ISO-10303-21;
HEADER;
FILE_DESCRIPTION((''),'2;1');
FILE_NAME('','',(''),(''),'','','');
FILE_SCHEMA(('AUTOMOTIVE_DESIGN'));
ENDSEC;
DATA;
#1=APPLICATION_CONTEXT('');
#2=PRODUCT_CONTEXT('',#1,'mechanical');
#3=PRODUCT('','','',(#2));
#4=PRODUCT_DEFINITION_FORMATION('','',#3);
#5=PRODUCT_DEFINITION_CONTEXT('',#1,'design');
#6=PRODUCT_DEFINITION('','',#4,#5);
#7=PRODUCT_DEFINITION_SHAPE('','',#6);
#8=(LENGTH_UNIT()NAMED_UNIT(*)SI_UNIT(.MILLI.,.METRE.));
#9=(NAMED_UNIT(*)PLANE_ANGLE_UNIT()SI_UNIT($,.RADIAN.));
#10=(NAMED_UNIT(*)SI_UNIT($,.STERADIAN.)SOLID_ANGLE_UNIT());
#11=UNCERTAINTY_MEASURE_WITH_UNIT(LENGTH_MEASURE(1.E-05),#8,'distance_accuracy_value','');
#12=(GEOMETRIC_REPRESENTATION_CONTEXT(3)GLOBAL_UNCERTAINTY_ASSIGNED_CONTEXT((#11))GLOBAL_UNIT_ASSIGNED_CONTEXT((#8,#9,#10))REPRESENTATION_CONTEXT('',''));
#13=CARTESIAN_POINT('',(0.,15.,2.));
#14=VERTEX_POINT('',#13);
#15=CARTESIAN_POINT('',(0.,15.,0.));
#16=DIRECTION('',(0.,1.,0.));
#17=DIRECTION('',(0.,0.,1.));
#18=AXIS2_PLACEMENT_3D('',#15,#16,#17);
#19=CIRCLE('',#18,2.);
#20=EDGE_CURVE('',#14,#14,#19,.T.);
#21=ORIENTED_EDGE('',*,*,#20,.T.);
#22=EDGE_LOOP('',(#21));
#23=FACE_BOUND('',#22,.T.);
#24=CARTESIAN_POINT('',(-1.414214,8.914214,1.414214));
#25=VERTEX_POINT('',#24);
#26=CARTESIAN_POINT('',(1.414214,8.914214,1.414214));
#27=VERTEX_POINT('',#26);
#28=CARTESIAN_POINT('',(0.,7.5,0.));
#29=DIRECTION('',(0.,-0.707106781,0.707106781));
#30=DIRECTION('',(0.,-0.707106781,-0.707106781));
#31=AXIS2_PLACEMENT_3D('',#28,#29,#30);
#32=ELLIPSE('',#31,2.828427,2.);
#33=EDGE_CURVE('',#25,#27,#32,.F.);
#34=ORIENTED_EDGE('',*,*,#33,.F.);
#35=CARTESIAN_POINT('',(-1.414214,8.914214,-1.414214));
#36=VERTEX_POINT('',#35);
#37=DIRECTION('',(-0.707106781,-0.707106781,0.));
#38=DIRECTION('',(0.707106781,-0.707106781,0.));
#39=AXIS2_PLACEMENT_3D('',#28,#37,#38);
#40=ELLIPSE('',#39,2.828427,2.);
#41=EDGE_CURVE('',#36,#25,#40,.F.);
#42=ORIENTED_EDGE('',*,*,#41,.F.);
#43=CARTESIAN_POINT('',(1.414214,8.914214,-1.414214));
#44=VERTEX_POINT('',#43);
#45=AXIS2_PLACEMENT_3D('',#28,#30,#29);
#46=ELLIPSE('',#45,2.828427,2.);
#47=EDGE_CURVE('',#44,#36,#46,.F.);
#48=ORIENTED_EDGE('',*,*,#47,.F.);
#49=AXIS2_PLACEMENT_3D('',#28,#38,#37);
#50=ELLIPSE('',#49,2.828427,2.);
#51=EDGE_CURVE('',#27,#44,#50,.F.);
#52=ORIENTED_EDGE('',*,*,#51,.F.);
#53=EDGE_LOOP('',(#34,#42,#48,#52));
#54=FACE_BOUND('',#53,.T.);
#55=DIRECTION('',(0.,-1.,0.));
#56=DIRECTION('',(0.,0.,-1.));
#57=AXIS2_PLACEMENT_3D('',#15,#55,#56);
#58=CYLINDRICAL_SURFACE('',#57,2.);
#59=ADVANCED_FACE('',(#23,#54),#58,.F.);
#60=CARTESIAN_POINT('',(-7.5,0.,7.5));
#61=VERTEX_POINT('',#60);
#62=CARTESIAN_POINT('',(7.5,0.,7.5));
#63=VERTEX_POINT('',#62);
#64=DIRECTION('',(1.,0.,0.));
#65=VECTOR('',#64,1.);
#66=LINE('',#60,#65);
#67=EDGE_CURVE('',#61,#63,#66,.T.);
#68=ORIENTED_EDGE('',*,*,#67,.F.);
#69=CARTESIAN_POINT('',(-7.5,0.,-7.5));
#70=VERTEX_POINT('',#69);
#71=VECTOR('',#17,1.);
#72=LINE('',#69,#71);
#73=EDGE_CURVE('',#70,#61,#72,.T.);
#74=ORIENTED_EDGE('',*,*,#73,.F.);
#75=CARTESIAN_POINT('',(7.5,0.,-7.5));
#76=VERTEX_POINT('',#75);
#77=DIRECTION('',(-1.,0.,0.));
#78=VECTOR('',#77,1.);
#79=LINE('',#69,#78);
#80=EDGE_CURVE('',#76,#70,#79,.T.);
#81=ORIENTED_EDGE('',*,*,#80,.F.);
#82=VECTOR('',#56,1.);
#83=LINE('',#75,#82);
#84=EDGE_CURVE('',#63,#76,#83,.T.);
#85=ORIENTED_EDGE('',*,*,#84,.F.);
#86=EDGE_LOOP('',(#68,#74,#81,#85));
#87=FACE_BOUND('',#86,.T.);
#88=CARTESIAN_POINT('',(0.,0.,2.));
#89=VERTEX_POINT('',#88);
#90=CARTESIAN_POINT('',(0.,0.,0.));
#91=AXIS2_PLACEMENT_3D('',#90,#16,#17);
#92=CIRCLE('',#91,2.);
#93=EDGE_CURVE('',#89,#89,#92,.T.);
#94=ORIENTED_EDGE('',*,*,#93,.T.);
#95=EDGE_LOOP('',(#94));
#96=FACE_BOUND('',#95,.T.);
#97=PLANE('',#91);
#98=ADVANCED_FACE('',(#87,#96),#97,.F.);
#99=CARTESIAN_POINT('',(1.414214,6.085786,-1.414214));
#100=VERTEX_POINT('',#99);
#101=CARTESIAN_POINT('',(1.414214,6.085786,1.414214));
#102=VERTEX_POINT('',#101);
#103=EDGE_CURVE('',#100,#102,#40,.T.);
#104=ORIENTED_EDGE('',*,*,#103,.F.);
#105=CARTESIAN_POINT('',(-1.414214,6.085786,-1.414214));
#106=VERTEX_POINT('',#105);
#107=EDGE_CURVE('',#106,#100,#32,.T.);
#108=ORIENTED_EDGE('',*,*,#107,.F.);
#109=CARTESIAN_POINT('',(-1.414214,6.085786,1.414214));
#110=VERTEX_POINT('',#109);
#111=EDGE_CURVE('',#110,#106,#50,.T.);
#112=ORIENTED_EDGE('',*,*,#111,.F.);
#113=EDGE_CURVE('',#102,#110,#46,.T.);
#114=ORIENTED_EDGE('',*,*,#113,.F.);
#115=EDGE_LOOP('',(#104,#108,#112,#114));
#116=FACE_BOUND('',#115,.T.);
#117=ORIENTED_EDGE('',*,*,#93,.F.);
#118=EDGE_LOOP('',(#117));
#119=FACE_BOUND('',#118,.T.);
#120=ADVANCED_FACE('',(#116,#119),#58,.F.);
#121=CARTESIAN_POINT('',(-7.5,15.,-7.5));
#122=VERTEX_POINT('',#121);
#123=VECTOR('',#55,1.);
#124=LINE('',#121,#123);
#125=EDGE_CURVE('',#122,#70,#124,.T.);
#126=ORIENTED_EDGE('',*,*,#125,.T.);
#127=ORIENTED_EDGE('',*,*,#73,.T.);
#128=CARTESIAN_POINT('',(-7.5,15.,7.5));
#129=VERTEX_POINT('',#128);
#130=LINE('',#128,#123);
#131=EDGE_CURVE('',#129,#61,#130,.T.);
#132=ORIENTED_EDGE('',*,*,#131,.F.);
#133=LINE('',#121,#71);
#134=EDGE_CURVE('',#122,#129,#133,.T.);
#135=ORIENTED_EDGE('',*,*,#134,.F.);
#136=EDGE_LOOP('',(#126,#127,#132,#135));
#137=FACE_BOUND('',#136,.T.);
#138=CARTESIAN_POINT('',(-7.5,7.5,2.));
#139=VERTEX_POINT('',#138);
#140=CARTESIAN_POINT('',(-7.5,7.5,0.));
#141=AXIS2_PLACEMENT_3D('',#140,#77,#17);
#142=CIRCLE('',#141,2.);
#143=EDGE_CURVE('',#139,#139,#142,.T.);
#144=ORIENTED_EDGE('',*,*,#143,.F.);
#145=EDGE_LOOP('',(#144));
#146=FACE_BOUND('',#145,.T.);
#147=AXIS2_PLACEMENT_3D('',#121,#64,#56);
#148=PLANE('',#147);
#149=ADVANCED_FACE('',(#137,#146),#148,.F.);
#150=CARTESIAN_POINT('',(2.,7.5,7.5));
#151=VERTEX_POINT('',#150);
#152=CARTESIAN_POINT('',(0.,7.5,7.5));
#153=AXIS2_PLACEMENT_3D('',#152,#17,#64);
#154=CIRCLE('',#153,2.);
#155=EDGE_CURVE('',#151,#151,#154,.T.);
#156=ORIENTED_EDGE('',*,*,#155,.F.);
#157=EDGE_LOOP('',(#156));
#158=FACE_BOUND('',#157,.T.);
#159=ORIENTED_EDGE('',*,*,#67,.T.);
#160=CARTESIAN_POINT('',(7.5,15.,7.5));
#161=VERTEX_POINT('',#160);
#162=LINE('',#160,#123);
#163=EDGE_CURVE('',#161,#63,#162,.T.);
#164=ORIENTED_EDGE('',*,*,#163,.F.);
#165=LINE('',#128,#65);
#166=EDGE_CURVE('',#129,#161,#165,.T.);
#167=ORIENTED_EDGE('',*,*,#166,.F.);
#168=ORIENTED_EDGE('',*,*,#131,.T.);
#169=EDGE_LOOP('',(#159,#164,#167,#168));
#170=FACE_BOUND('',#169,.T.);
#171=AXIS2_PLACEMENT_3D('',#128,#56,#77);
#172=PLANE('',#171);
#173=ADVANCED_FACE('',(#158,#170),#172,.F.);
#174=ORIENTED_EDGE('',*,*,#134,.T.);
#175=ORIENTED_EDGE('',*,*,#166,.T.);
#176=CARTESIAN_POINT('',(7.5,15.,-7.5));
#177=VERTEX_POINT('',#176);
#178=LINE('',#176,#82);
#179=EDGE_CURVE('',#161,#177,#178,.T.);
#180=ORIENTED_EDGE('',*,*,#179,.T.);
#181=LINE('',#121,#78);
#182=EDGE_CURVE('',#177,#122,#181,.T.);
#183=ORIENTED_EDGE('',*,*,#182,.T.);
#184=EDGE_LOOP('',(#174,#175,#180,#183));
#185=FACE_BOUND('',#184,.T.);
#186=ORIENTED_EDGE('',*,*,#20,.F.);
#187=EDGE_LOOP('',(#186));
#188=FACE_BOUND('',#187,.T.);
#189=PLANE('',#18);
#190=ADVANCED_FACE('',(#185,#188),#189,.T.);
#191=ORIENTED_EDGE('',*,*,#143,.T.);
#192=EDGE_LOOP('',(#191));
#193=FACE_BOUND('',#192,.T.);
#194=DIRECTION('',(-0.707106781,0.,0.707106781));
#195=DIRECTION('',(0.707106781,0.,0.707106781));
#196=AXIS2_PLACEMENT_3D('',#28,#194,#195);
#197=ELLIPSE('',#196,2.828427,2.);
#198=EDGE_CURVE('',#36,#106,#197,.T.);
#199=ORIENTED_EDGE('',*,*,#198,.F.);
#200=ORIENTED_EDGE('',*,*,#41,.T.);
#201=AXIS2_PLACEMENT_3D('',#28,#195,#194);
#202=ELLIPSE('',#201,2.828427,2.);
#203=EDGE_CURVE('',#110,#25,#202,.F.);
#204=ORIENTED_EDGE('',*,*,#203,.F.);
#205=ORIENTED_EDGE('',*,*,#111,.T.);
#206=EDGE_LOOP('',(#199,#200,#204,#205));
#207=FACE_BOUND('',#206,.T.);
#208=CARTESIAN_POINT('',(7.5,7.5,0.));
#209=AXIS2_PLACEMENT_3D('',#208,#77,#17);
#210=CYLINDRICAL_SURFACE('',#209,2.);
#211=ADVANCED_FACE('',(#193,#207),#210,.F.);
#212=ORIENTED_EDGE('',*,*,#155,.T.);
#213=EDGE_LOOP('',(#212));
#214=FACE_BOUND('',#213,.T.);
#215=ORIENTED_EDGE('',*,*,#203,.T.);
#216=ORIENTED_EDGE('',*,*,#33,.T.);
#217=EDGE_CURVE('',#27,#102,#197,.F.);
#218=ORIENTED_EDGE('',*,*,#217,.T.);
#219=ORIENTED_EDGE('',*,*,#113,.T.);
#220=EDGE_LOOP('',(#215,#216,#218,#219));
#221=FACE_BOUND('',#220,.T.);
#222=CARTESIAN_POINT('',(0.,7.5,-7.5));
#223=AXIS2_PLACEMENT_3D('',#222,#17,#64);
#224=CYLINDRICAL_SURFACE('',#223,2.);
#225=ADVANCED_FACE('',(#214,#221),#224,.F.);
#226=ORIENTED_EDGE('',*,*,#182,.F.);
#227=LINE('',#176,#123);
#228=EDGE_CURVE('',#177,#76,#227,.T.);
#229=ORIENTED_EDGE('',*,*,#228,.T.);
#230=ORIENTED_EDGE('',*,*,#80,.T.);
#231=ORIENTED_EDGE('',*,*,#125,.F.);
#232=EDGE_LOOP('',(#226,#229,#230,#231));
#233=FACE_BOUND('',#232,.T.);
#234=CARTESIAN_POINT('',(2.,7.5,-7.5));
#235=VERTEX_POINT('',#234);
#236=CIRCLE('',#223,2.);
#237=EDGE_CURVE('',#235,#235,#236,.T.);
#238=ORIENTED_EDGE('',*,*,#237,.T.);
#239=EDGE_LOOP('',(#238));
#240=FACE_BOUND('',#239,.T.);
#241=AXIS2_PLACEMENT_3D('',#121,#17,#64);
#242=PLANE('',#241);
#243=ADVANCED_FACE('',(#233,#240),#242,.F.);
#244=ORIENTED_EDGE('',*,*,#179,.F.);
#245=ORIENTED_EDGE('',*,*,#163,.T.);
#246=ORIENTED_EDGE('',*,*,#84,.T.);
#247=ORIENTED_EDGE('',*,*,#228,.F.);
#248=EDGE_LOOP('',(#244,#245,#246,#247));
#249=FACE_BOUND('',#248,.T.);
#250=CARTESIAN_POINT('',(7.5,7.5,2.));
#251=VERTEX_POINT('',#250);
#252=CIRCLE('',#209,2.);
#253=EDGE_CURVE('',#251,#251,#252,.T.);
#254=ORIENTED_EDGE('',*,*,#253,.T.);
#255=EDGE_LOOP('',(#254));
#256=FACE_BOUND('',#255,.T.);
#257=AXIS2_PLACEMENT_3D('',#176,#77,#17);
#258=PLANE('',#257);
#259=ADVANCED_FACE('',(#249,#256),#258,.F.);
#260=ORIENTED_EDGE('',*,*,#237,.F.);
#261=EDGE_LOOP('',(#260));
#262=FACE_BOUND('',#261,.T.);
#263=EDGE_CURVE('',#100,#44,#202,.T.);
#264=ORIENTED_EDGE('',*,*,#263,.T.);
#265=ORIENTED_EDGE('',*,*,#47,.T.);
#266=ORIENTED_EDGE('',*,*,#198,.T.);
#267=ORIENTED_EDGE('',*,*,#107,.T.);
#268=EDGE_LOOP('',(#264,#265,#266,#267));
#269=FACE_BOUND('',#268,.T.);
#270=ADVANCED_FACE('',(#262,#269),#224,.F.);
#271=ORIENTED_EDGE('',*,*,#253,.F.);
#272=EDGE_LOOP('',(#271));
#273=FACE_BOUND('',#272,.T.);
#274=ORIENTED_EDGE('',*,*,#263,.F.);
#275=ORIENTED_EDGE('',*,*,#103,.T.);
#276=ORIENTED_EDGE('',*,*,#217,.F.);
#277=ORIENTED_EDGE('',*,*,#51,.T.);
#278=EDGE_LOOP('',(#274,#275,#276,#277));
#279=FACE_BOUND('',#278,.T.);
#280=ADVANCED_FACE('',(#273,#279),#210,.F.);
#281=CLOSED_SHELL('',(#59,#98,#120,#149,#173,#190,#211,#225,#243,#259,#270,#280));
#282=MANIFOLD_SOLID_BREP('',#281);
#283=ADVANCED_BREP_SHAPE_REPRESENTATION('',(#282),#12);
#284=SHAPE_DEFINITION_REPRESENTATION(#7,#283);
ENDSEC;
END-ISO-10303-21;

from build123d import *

# Parameters (mm, degrees)
SKETCH_1_W          = 15
SKETCH_1_H          = 15
SKETCH_1_R          = 2
EXTRUDE_1_DEPTH     = 15
SKETCH_2_R          = 2
CUT_EXTRUDE_1_DEPTH = 15
SKETCH_3_R          = 2
CUT_EXTRUDE_2_DEPTH = 15


with BuildPart() as part:
    # 草图1 → 凸台-拉伸1 (new body)
    with BuildSketch(Plane(origin=(0, 0, 0), x_dir=(1, 0, 0), z_dir=(0, 1, 0))):
        Rectangle(SKETCH_1_W, SKETCH_1_H)
        with Locations(Location((0, 0, 0), (0, 0, 270))):
            Circle(SKETCH_1_R, mode=Mode.SUBTRACT)
    extrude(amount=EXTRUDE_1_DEPTH)

    # 草图2 → 切除-拉伸1 (cut)
    with BuildSketch(Plane.XY.offset(7.5)):
        with Locations((0, 7.5)):
            Circle(SKETCH_2_R)
    extrude(amount=-CUT_EXTRUDE_1_DEPTH, mode=Mode.SUBTRACT)

    # 草图3 → 切除-拉伸2 (cut)
    with BuildSketch(Plane.ZY.offset(7.5)):
        with Locations((0, 7.5)):
            Circle(SKETCH_3_R)
    extrude(amount=-CUT_EXTRUDE_2_DEPTH, mode=Mode.SUBTRACT)


solid = part.part
